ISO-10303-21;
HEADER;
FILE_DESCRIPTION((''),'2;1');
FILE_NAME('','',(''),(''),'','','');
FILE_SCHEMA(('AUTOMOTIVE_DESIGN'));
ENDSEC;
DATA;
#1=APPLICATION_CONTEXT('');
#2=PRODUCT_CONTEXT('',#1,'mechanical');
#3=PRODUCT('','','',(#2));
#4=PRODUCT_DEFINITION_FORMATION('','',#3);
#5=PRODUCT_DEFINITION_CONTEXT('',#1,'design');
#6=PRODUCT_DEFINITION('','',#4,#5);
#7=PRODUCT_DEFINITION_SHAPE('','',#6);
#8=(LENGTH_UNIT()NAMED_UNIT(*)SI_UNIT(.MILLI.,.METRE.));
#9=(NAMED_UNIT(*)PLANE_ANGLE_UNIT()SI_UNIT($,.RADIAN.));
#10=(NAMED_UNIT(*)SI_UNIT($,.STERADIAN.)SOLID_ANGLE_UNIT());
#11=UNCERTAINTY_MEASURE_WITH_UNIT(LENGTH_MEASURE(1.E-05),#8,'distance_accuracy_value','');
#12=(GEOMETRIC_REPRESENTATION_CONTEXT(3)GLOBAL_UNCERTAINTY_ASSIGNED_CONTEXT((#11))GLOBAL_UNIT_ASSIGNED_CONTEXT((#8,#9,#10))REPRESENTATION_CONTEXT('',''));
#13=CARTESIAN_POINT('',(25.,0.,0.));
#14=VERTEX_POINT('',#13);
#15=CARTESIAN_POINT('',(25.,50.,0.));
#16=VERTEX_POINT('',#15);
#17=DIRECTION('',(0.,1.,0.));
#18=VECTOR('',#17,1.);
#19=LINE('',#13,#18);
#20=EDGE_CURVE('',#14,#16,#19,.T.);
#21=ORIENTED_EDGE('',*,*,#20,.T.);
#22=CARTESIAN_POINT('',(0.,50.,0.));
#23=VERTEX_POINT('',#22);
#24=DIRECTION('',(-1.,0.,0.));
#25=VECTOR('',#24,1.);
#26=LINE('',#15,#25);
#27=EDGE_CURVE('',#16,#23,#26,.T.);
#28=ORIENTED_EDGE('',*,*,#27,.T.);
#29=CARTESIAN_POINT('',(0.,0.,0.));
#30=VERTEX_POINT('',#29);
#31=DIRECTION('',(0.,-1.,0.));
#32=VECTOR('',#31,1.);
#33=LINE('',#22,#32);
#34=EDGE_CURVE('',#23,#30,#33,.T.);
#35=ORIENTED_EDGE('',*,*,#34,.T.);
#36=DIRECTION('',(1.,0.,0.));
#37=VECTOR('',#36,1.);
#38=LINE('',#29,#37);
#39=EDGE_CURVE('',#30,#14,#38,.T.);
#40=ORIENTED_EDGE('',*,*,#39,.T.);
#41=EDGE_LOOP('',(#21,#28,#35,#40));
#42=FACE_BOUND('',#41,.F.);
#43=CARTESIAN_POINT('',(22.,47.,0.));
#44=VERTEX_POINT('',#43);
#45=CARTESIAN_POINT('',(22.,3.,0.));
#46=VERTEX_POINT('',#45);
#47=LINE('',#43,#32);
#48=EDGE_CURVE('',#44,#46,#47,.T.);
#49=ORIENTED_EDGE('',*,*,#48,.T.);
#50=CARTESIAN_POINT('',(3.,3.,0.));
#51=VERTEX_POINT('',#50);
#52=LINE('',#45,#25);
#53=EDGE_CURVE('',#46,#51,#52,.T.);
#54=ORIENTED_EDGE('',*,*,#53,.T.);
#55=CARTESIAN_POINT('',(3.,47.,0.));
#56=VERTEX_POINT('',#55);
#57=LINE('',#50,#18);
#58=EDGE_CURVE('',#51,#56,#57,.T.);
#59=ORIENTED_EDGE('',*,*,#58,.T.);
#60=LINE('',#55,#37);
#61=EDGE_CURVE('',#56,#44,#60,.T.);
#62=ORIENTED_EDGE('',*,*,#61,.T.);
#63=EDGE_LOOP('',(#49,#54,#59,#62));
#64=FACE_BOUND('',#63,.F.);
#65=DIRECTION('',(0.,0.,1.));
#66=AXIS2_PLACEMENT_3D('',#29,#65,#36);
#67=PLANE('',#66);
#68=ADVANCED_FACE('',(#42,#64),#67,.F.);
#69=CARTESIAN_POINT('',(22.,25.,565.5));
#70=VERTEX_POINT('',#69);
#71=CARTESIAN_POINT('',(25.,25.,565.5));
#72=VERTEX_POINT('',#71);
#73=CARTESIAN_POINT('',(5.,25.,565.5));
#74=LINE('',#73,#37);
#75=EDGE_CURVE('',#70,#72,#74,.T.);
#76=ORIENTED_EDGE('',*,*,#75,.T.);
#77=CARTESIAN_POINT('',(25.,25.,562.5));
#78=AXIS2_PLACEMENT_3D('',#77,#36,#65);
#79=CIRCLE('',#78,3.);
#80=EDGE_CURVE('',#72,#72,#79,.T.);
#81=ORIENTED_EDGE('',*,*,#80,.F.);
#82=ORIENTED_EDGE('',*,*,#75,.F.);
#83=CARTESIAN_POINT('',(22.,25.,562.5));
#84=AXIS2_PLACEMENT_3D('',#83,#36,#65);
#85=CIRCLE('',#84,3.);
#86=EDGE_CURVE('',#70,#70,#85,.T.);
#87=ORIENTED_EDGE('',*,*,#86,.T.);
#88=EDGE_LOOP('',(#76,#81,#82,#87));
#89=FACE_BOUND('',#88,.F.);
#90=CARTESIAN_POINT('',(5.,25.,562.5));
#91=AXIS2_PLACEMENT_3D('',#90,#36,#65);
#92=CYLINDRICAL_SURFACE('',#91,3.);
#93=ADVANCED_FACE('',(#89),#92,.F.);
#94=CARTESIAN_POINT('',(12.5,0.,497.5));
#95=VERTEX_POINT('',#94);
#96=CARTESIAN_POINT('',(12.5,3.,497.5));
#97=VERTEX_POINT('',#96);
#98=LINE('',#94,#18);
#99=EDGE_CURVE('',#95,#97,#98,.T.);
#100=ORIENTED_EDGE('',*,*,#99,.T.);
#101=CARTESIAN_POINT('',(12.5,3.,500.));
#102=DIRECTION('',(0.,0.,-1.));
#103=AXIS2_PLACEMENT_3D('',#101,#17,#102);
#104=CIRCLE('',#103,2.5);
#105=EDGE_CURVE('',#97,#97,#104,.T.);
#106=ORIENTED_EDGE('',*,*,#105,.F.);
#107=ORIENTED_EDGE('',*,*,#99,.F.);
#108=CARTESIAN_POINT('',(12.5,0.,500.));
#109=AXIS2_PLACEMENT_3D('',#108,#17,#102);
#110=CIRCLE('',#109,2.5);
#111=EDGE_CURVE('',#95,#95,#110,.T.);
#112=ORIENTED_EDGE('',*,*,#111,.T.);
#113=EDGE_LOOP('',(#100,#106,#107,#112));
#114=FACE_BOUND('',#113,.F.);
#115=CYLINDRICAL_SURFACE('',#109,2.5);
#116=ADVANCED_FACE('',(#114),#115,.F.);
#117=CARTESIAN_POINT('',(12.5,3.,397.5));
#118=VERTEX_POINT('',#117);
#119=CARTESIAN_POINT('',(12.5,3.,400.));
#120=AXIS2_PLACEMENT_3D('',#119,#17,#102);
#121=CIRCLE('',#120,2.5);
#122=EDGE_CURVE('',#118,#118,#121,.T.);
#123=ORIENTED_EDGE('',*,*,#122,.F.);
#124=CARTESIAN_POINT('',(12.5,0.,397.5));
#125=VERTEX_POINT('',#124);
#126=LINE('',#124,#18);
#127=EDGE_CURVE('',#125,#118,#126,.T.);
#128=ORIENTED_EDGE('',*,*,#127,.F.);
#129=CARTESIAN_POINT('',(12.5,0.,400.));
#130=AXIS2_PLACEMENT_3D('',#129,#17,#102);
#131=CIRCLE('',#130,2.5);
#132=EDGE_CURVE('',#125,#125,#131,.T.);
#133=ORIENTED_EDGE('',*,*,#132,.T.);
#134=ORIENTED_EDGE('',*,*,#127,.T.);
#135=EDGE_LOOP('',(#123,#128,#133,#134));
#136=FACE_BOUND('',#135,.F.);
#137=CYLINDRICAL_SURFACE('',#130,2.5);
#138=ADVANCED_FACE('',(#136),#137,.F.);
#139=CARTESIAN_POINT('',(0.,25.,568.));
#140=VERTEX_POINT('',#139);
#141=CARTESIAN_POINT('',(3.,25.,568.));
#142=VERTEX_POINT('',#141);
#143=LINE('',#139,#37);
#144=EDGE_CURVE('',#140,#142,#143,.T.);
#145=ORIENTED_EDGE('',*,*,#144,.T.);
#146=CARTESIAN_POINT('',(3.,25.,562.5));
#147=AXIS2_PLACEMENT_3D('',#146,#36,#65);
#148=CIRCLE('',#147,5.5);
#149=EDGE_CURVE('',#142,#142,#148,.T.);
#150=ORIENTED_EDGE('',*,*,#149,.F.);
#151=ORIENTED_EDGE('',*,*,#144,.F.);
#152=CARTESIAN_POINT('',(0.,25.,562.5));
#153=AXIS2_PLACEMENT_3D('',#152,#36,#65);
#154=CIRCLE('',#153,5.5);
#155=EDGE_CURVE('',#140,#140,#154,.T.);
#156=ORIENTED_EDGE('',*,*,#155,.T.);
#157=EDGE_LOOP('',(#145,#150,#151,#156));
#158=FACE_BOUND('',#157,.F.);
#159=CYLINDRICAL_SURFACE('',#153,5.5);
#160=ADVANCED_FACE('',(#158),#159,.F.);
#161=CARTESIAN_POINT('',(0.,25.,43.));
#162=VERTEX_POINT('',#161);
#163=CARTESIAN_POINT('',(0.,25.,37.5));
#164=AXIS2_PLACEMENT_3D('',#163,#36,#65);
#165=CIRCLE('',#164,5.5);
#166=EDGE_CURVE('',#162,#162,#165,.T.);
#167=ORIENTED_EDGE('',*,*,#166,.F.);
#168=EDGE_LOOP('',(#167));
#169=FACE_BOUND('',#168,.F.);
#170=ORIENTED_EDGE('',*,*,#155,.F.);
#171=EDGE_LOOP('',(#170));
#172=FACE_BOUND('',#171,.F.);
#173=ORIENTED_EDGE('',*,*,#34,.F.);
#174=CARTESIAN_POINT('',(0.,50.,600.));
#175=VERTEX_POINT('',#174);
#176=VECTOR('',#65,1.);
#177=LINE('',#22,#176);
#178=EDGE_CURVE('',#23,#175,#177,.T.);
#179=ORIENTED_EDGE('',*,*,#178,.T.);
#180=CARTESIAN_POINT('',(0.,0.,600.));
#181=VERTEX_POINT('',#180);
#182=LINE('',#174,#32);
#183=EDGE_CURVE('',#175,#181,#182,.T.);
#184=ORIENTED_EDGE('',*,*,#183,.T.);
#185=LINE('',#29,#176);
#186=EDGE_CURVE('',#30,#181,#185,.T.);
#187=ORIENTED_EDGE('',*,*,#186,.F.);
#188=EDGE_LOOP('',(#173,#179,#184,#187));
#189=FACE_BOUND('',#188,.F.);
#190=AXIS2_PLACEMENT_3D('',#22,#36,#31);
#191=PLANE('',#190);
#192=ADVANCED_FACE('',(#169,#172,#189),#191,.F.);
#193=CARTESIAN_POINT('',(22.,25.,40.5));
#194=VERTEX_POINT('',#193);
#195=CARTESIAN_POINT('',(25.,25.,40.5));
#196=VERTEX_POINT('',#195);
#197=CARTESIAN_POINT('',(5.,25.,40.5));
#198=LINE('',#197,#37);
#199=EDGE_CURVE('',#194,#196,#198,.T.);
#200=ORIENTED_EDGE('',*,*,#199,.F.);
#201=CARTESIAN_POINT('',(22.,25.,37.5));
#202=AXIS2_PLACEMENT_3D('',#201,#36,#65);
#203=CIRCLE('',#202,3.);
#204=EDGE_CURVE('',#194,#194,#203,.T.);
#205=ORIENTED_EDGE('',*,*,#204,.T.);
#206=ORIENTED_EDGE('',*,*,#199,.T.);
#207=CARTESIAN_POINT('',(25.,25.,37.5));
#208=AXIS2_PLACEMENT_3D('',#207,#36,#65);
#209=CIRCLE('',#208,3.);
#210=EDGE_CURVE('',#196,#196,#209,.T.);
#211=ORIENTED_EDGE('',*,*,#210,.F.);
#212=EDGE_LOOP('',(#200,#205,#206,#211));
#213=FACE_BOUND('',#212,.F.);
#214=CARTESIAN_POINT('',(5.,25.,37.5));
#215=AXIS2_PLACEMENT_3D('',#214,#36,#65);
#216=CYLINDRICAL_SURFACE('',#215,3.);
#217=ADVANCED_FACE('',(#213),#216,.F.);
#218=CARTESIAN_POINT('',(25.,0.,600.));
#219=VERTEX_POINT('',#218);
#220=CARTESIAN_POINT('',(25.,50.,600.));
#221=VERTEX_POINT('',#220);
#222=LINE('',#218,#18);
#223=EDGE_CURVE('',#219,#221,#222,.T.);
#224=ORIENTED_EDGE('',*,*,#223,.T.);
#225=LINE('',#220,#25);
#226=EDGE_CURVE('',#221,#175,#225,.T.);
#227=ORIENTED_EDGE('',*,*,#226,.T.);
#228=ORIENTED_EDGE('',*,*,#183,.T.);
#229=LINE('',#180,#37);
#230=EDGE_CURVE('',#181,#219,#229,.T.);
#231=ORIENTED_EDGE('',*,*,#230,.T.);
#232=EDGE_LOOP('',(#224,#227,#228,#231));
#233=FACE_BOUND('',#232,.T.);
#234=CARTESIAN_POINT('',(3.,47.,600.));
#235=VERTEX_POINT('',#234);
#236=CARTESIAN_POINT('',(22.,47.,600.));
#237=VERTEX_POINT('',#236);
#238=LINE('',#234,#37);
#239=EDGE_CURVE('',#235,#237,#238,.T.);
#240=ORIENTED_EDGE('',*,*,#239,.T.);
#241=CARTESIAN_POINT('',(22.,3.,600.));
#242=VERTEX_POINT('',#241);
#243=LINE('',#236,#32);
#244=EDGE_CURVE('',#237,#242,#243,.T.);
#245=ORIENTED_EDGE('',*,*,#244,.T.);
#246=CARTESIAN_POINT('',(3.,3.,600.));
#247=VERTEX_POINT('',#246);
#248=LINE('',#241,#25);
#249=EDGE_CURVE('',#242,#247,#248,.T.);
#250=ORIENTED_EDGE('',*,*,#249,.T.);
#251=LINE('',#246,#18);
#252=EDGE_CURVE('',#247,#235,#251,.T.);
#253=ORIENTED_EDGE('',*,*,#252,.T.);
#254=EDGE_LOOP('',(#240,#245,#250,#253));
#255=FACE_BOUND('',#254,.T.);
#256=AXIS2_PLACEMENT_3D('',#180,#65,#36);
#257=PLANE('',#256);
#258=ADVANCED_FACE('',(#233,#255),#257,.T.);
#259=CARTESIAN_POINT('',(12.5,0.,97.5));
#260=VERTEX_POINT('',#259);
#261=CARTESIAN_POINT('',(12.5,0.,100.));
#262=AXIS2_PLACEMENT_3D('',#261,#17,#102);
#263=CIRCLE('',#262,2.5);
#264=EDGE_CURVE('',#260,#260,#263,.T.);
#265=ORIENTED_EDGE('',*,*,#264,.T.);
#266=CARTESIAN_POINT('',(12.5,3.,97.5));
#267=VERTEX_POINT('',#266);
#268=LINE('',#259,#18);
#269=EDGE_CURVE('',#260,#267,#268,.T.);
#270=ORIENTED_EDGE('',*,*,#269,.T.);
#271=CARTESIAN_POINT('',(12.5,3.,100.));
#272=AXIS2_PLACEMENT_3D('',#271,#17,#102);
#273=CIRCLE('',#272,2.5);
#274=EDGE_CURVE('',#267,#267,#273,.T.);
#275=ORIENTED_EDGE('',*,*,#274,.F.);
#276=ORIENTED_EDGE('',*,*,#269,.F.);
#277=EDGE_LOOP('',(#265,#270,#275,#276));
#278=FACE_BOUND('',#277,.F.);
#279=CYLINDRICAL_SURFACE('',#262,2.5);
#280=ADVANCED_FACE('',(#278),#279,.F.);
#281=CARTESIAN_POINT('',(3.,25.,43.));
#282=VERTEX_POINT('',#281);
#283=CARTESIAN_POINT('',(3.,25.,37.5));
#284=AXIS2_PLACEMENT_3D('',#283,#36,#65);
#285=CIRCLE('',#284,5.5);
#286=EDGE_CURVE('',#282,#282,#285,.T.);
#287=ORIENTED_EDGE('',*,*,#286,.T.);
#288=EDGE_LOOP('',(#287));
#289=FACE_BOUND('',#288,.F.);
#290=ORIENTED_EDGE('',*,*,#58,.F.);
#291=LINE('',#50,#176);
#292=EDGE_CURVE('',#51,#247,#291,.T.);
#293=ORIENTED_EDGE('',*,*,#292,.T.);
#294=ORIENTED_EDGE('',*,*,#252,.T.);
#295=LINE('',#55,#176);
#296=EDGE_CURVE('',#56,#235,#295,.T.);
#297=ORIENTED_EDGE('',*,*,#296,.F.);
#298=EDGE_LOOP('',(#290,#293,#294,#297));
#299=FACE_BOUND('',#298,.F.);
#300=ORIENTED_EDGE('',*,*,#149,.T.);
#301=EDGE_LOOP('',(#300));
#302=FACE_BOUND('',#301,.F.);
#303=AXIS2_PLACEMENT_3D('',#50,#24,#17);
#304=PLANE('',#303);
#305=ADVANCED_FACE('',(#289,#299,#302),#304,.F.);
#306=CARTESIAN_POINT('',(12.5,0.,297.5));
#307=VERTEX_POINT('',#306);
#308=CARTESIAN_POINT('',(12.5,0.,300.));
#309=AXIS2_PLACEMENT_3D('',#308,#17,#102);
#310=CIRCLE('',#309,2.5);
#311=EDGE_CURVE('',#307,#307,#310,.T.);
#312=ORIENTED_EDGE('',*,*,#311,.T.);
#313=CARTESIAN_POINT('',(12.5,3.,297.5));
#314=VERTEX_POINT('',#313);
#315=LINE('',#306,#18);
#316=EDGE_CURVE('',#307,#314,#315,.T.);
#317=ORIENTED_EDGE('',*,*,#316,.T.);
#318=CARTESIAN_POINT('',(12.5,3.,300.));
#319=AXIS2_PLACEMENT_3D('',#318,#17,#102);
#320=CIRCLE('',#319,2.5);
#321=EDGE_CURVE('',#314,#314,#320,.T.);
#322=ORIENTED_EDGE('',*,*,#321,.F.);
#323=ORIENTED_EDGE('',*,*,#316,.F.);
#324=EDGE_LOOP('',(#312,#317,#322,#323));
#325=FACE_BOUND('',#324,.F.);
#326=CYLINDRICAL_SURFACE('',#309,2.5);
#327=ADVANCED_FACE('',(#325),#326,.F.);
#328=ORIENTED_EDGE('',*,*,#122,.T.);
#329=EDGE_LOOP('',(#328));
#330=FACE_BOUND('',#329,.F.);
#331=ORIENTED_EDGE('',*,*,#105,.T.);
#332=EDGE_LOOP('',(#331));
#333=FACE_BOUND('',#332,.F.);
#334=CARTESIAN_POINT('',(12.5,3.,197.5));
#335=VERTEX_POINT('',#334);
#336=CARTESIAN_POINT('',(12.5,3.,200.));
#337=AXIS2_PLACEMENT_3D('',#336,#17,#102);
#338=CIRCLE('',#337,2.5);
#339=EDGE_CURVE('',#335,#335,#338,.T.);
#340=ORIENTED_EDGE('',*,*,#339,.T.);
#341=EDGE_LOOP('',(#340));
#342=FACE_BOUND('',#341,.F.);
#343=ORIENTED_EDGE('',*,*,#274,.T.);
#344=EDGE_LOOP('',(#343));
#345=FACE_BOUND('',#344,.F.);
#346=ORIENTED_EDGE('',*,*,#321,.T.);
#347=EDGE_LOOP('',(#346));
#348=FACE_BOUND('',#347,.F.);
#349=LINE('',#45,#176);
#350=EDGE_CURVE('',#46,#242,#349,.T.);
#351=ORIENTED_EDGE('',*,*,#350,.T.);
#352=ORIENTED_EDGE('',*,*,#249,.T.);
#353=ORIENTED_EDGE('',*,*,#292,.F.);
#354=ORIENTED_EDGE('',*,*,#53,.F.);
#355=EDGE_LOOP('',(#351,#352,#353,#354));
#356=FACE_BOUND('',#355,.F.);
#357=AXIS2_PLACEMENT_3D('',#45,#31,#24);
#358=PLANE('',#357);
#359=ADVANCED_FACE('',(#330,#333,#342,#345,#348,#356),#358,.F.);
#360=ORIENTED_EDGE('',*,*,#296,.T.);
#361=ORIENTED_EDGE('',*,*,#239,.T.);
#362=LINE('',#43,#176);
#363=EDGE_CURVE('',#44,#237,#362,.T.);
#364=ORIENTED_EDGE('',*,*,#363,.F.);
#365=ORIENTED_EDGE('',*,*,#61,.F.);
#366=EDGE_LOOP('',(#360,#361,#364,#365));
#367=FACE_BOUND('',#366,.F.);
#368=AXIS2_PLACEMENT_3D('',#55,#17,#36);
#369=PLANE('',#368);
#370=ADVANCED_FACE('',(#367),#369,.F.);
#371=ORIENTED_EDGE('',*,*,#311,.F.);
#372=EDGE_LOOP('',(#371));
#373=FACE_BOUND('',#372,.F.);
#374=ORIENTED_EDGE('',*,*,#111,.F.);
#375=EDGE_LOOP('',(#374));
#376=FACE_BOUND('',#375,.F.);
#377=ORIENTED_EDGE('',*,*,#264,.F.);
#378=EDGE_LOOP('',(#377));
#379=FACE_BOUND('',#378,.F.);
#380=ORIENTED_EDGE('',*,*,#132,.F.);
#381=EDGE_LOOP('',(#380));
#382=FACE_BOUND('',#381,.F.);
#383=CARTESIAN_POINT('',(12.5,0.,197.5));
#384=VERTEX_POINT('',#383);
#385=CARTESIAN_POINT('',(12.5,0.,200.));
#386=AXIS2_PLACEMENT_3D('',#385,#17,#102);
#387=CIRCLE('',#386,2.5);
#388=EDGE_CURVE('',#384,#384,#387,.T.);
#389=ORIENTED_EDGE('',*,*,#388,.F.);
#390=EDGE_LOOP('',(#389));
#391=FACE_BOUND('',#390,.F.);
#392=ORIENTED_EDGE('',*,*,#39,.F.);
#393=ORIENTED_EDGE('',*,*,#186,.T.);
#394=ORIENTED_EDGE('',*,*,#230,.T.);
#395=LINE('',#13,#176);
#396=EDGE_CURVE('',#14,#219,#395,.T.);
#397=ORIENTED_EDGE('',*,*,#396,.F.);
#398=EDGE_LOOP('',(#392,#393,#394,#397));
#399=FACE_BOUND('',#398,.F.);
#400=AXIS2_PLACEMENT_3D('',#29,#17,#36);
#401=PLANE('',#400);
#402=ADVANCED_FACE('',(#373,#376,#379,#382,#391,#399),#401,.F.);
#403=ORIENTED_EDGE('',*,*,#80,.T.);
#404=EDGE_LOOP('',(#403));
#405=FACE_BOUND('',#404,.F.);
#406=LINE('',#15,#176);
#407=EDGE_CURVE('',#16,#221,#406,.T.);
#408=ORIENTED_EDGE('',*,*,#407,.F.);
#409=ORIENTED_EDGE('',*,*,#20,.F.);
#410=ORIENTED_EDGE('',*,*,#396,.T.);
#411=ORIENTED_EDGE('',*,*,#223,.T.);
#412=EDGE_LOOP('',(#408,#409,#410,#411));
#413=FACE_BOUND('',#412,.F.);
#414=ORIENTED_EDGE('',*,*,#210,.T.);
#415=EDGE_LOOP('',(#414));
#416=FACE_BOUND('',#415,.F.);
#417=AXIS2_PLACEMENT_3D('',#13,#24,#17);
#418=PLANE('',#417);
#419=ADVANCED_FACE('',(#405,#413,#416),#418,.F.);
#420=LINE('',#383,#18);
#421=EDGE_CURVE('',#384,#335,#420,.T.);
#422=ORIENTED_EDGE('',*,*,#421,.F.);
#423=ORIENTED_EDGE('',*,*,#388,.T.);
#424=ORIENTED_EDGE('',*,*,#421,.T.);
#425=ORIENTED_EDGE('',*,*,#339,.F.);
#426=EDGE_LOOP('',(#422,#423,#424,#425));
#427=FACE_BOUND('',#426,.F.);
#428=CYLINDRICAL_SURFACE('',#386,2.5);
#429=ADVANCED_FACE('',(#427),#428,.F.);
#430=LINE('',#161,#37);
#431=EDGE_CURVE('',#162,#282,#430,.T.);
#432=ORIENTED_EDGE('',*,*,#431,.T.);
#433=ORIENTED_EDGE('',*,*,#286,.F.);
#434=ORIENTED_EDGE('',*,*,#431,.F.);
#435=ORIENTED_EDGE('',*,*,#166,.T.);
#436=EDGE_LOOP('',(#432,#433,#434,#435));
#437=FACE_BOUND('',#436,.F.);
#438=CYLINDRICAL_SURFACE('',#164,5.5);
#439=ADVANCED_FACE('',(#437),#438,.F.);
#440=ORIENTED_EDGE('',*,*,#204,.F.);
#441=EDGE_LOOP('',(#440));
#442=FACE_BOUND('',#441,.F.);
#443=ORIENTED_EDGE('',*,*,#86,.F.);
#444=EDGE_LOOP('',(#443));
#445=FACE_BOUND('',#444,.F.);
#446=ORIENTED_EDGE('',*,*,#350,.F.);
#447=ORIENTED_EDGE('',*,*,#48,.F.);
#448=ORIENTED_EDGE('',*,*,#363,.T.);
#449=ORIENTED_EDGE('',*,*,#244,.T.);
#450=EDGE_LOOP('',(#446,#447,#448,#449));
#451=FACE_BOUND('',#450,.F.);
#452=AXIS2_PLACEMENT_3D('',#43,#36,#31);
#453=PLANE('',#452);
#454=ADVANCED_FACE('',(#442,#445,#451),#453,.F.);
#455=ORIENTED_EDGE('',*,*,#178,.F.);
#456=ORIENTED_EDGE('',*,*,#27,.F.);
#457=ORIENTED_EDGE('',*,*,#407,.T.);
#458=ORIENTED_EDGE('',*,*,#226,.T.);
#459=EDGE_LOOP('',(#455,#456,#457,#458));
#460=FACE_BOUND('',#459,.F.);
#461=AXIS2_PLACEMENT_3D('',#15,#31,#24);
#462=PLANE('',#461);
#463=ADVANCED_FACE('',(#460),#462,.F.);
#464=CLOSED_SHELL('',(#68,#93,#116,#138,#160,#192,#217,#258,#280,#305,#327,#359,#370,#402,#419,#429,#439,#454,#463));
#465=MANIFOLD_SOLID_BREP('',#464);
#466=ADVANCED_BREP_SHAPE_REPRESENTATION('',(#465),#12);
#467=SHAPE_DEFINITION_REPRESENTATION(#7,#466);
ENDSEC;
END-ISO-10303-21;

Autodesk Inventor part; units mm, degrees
ref_plane "YZ Plane" through (0, 0, 0) normal (1, 0, 0) x (0, 1, 0)
ref_plane "XZ Plane" through (0, 0, 0) normal (0, 1, 0) x (-1, 0, 0)
ref_plane "XY Plane" through (0, 0, 0) normal (0, 0, 1) x (1, 0, 0)
sketch "Sketch1" plane through (0, 0, 0) normal (0, 0, 1) x (1, 0, 0)
  line L0 (0, 0) -> (25, 0)
  line L1 (25, 0) -> (25, 50)
  line L2 (25, 50) -> (0, 50)
  line L3 (0, 50) -> (0, 0)
  line L4 (22, 47) -> (22, 3)
  line L5 (22, 3) -> (3, 3)
  line L6 (3, 3) -> (3, 47)
  line L7 (3, 47) -> (22, 47)
  dimension "d0" = 25
  dimension "d1" = 50
  dimension "d2" = 3
extrude "Extrusion1" add sketch "Sketch1" along normal blind 600
sketch "Sketch2" plane through (0, 0, 0) normal (1, 0, 0) x (0, 0, -1)
  line L0 (0, 0) -> (-600, 0) projected
  line L1 (-600, 0) -> (-600, 50) projected
  point P0 (-562.5, 25)
  point P1 (-37.5, 25)
  dimension "d5" = 25
  dimension "d6" = 37.5
  dimension "d7" = 37.5
hole "Hole1" at (0, 25, 562.5) at (0, 25, 37.5) direction (1, 0, 0) diameter 6 end through all counterbore diameter 11 counterbore depth 5
sketch "Sketch3" plane through (0, 0, 0) normal (0, -1, 0) x (1, 0, 0)
  line L0 (0, 0) -> (25, 0) projected
  line L1 (0, 0) -> (0, 600) projected
  point P0 (12.5, 100)
  point P1 (12.5, 200)
  point P2 (12.5, 300)
  point P3 (12.5, 400)
  point P4 (12.5, 500)
  dimension "d15" = 100
  dimension "d16" = 12.5
  dimension "d19" = 100
hole "Hole2" at (12.5, 0, 100) at (12.5, 0, 200) at (12.5, 0, 300) at (12.5, 0, 400) at (12.5, 0, 500) direction (0, 1, 0) diameter 5 depth 8 tip angle 118
properties part number "Front Bar"
